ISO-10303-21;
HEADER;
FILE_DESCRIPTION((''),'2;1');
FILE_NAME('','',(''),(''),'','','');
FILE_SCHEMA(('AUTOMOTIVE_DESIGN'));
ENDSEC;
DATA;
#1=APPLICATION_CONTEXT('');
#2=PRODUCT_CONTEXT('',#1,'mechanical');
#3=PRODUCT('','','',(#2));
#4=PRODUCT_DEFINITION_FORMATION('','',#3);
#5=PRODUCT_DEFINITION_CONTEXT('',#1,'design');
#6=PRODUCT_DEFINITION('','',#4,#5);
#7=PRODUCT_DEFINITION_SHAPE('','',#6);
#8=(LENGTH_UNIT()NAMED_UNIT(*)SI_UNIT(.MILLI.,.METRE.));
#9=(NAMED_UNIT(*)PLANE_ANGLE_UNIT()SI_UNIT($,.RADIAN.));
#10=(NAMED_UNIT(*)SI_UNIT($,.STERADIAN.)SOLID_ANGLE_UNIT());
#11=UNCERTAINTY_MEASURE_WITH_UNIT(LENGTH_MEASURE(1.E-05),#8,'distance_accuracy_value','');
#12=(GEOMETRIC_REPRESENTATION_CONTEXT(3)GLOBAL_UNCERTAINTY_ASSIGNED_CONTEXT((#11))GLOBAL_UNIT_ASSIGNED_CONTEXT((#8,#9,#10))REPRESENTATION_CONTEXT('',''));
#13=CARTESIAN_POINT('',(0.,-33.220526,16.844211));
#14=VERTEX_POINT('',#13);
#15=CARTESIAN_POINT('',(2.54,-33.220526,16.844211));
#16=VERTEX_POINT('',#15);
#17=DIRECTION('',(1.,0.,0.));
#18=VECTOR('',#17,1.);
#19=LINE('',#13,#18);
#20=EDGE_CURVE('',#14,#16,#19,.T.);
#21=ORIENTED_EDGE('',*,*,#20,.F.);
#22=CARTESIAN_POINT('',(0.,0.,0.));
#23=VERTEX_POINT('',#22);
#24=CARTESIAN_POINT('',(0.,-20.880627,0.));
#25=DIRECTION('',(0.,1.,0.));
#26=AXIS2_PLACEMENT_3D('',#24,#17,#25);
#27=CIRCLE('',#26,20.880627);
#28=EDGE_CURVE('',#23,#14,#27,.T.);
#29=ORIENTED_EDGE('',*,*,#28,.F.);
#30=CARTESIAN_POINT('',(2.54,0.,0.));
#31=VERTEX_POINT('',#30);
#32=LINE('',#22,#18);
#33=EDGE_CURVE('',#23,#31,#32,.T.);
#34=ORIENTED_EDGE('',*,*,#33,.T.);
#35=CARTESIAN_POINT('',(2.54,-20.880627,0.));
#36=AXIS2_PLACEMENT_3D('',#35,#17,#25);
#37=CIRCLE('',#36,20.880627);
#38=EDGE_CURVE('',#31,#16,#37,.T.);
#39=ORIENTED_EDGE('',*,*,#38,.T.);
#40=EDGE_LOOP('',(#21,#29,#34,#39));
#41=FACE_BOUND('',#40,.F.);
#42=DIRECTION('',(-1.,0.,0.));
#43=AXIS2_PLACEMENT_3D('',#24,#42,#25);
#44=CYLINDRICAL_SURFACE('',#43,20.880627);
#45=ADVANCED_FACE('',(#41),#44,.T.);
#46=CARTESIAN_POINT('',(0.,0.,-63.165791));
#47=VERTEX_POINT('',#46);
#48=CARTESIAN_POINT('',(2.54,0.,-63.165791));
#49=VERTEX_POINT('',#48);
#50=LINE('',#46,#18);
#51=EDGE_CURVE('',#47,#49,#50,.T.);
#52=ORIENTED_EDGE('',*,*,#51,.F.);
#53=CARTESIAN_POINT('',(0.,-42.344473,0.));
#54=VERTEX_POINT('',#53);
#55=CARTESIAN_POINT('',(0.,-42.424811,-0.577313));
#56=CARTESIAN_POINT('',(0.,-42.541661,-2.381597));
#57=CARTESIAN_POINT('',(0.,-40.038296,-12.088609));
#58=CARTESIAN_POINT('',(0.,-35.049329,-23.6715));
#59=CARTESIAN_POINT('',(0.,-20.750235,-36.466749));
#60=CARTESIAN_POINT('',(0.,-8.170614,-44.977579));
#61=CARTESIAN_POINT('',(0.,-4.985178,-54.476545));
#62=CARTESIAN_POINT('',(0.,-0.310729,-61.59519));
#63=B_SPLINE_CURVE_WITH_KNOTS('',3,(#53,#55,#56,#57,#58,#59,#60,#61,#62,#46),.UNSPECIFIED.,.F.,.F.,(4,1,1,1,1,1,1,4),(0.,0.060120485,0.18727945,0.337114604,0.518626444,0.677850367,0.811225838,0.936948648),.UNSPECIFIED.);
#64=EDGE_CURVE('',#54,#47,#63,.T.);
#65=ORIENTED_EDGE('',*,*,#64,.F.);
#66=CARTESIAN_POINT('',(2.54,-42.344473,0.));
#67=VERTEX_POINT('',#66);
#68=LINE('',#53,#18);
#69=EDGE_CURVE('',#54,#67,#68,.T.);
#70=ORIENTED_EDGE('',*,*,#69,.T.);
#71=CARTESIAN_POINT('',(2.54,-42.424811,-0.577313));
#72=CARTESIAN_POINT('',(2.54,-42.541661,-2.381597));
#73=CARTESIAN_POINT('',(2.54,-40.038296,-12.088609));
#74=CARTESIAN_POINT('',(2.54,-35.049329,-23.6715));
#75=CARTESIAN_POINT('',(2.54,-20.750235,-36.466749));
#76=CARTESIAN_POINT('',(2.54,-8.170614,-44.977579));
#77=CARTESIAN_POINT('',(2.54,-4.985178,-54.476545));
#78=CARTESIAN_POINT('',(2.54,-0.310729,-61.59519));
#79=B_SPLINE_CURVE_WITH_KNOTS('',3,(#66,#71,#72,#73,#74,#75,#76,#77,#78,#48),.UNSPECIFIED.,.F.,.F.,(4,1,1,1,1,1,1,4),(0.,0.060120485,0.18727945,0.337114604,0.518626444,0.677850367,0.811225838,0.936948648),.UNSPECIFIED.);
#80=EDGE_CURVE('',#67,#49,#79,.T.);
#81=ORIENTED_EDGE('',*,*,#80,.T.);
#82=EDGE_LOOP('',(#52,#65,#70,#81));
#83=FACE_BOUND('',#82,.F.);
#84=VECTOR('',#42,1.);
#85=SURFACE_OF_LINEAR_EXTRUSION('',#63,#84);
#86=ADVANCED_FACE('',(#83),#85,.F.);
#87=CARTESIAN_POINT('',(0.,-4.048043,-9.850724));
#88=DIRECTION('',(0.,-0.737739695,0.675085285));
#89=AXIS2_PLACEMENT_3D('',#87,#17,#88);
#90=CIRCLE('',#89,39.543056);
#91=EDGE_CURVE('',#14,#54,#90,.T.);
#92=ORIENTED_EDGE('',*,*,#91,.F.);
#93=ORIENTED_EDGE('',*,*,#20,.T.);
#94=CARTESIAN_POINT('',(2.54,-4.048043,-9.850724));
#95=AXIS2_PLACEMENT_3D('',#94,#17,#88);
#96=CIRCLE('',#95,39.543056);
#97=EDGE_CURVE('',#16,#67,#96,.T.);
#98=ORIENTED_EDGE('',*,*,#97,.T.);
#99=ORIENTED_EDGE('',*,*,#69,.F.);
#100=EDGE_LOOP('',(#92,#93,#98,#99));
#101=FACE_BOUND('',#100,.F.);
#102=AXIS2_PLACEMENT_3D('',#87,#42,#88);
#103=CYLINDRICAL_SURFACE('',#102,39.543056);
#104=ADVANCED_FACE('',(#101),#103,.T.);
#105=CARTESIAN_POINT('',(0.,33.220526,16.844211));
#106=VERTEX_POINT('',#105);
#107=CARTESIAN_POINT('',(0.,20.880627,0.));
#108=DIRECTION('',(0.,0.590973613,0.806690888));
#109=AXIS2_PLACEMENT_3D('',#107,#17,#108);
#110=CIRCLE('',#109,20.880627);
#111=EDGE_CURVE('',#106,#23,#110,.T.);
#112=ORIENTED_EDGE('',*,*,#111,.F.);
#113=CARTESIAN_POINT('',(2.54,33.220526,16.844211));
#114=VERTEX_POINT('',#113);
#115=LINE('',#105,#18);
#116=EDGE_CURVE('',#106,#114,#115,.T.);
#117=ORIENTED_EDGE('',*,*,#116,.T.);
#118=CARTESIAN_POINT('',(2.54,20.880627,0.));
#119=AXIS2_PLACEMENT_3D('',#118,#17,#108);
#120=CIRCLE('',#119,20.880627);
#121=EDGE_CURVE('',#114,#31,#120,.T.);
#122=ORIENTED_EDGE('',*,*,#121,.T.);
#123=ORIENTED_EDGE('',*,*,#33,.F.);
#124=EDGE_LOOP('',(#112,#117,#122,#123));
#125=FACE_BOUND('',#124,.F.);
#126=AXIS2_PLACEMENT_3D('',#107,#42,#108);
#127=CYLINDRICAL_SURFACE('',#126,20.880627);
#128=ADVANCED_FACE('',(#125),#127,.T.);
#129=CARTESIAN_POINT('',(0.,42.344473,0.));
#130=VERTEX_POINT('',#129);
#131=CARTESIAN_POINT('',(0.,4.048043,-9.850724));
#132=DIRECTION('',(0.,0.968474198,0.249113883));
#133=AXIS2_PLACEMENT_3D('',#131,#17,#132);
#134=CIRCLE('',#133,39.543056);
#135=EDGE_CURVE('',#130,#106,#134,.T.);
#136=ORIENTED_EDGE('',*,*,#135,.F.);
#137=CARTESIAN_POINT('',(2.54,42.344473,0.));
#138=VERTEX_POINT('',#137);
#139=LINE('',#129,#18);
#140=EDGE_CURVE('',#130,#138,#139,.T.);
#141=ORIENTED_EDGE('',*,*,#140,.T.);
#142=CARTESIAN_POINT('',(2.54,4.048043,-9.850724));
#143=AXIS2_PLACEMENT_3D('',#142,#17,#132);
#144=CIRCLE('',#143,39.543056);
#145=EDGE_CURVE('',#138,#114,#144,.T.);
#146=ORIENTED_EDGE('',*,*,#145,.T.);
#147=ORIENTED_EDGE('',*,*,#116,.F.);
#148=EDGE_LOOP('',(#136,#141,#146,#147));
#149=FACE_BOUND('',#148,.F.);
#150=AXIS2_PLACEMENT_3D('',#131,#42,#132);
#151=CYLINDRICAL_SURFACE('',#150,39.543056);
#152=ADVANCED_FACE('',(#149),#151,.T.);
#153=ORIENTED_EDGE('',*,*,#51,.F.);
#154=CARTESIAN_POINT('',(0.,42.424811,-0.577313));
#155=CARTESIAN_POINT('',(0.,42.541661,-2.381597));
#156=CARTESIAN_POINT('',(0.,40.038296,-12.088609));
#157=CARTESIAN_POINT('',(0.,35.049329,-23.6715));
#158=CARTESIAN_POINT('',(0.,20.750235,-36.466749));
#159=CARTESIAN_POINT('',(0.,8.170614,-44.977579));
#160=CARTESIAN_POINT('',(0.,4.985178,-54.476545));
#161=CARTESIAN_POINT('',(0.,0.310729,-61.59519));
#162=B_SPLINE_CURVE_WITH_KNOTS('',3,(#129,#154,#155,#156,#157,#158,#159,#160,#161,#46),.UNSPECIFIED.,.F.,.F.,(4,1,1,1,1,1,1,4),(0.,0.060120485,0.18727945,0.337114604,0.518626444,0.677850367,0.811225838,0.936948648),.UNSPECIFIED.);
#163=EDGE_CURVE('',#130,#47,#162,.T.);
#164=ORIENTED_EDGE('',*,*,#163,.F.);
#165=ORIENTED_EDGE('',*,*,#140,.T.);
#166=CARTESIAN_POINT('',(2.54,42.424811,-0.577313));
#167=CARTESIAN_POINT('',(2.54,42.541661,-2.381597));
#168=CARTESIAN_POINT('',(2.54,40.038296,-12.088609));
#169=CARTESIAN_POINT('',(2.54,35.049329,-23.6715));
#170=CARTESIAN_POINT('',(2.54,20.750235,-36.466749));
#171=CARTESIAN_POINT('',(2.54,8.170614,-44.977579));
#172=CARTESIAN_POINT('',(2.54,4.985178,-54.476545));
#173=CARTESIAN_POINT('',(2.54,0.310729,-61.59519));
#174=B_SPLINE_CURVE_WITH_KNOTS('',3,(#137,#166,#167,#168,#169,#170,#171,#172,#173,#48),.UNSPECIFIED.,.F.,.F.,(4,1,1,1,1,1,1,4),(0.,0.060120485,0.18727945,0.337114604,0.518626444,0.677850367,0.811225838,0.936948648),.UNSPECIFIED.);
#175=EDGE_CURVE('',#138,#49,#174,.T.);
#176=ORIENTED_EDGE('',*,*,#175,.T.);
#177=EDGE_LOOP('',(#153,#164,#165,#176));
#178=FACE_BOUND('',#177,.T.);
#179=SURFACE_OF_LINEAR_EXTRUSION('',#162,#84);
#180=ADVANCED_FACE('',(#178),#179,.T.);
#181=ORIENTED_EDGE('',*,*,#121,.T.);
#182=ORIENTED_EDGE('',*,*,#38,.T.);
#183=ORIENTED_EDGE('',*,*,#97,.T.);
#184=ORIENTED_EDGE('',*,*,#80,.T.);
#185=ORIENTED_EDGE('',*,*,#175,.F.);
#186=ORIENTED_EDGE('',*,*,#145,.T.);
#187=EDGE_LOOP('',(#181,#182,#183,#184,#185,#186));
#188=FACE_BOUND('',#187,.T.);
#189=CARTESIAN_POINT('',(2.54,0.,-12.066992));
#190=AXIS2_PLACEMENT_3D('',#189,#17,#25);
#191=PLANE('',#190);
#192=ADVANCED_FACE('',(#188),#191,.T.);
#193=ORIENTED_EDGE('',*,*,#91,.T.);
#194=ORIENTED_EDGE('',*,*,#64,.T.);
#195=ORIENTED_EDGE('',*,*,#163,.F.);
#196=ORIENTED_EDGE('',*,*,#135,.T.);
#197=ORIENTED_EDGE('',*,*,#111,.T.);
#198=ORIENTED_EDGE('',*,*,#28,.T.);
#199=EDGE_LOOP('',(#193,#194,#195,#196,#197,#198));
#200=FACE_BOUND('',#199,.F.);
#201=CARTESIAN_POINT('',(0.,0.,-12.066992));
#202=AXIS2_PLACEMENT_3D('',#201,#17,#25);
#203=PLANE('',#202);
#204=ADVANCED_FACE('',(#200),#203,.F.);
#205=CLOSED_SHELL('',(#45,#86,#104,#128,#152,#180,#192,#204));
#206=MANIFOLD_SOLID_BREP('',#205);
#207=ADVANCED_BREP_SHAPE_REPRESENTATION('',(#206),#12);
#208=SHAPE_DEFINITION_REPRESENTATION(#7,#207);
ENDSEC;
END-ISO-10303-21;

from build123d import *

# Parameters (mm, degrees)
F1_DEPTH = 2.54


with BuildPart() as f1:
    # F0 (on Right) → F1 (new body)
    with BuildSketch(Plane.YZ):
        with BuildLine():
            ThreePointArc((42.3444733024, 0), (38.8179354813, 8.9829666792), (33.220525831, 16.8442111462))
            ThreePointArc((33.220525831, 16.8442111462), (11.4377526166, 18.623444805), (0, 0))
            ThreePointArc((0, 0), (-11.4377526166, 18.623444805), (-33.220525831, 16.8442111462))
            ThreePointArc((-33.220525831, 16.8442111462), (-38.8179354813, 8.9829666792), (-42.3444733024, 0))
            add(Edge.make_bspline(
                [(-42.3444733024, 0), (-42.4248110235, -0.577312965), (-42.541660905, -2.3815972749), (-40.0382960871, -12.0886088714), (-35.0493287336, -23.6714996663), (-20.7502353279, -36.4667488969), (-8.1706135531, -44.9775785452), (-4.9851779449, -54.4765449124), (-0.3107285698, -61.5951899604), (0, -63.1657913327)],
                knots=[0, 0, 0, 0, 0.0601204853, 0.1872794498, 0.3371146037, 0.5186264445, 0.6778503669, 0.8112258381, 0.9369486479, 0.9369486479, 0.9369486479, 0.9369486479], degree=3))
            add(Edge.make_bspline(
                [(42.3444733024, 0), (42.4248110235, -0.577312965), (42.541660905, -2.3815972749), (40.0382960871, -12.0886088714), (35.0493287336, -23.6714996663), (20.7502353279, -36.4667488969), (8.1706135531, -44.9775785452), (4.9851779449, -54.4765449124), (0.3107285698, -61.5951899604), (0, -63.1657913327)],
                knots=[0, 0, 0, 0, 0.0601204853, 0.1872794498, 0.3371146037, 0.5186264445, 0.6778503669, 0.8112258381, 0.9369486479, 0.9369486479, 0.9369486479, 0.9369486479], degree=3))
        make_face()
    extrude(amount=F1_DEPTH)


solid = f1.part
